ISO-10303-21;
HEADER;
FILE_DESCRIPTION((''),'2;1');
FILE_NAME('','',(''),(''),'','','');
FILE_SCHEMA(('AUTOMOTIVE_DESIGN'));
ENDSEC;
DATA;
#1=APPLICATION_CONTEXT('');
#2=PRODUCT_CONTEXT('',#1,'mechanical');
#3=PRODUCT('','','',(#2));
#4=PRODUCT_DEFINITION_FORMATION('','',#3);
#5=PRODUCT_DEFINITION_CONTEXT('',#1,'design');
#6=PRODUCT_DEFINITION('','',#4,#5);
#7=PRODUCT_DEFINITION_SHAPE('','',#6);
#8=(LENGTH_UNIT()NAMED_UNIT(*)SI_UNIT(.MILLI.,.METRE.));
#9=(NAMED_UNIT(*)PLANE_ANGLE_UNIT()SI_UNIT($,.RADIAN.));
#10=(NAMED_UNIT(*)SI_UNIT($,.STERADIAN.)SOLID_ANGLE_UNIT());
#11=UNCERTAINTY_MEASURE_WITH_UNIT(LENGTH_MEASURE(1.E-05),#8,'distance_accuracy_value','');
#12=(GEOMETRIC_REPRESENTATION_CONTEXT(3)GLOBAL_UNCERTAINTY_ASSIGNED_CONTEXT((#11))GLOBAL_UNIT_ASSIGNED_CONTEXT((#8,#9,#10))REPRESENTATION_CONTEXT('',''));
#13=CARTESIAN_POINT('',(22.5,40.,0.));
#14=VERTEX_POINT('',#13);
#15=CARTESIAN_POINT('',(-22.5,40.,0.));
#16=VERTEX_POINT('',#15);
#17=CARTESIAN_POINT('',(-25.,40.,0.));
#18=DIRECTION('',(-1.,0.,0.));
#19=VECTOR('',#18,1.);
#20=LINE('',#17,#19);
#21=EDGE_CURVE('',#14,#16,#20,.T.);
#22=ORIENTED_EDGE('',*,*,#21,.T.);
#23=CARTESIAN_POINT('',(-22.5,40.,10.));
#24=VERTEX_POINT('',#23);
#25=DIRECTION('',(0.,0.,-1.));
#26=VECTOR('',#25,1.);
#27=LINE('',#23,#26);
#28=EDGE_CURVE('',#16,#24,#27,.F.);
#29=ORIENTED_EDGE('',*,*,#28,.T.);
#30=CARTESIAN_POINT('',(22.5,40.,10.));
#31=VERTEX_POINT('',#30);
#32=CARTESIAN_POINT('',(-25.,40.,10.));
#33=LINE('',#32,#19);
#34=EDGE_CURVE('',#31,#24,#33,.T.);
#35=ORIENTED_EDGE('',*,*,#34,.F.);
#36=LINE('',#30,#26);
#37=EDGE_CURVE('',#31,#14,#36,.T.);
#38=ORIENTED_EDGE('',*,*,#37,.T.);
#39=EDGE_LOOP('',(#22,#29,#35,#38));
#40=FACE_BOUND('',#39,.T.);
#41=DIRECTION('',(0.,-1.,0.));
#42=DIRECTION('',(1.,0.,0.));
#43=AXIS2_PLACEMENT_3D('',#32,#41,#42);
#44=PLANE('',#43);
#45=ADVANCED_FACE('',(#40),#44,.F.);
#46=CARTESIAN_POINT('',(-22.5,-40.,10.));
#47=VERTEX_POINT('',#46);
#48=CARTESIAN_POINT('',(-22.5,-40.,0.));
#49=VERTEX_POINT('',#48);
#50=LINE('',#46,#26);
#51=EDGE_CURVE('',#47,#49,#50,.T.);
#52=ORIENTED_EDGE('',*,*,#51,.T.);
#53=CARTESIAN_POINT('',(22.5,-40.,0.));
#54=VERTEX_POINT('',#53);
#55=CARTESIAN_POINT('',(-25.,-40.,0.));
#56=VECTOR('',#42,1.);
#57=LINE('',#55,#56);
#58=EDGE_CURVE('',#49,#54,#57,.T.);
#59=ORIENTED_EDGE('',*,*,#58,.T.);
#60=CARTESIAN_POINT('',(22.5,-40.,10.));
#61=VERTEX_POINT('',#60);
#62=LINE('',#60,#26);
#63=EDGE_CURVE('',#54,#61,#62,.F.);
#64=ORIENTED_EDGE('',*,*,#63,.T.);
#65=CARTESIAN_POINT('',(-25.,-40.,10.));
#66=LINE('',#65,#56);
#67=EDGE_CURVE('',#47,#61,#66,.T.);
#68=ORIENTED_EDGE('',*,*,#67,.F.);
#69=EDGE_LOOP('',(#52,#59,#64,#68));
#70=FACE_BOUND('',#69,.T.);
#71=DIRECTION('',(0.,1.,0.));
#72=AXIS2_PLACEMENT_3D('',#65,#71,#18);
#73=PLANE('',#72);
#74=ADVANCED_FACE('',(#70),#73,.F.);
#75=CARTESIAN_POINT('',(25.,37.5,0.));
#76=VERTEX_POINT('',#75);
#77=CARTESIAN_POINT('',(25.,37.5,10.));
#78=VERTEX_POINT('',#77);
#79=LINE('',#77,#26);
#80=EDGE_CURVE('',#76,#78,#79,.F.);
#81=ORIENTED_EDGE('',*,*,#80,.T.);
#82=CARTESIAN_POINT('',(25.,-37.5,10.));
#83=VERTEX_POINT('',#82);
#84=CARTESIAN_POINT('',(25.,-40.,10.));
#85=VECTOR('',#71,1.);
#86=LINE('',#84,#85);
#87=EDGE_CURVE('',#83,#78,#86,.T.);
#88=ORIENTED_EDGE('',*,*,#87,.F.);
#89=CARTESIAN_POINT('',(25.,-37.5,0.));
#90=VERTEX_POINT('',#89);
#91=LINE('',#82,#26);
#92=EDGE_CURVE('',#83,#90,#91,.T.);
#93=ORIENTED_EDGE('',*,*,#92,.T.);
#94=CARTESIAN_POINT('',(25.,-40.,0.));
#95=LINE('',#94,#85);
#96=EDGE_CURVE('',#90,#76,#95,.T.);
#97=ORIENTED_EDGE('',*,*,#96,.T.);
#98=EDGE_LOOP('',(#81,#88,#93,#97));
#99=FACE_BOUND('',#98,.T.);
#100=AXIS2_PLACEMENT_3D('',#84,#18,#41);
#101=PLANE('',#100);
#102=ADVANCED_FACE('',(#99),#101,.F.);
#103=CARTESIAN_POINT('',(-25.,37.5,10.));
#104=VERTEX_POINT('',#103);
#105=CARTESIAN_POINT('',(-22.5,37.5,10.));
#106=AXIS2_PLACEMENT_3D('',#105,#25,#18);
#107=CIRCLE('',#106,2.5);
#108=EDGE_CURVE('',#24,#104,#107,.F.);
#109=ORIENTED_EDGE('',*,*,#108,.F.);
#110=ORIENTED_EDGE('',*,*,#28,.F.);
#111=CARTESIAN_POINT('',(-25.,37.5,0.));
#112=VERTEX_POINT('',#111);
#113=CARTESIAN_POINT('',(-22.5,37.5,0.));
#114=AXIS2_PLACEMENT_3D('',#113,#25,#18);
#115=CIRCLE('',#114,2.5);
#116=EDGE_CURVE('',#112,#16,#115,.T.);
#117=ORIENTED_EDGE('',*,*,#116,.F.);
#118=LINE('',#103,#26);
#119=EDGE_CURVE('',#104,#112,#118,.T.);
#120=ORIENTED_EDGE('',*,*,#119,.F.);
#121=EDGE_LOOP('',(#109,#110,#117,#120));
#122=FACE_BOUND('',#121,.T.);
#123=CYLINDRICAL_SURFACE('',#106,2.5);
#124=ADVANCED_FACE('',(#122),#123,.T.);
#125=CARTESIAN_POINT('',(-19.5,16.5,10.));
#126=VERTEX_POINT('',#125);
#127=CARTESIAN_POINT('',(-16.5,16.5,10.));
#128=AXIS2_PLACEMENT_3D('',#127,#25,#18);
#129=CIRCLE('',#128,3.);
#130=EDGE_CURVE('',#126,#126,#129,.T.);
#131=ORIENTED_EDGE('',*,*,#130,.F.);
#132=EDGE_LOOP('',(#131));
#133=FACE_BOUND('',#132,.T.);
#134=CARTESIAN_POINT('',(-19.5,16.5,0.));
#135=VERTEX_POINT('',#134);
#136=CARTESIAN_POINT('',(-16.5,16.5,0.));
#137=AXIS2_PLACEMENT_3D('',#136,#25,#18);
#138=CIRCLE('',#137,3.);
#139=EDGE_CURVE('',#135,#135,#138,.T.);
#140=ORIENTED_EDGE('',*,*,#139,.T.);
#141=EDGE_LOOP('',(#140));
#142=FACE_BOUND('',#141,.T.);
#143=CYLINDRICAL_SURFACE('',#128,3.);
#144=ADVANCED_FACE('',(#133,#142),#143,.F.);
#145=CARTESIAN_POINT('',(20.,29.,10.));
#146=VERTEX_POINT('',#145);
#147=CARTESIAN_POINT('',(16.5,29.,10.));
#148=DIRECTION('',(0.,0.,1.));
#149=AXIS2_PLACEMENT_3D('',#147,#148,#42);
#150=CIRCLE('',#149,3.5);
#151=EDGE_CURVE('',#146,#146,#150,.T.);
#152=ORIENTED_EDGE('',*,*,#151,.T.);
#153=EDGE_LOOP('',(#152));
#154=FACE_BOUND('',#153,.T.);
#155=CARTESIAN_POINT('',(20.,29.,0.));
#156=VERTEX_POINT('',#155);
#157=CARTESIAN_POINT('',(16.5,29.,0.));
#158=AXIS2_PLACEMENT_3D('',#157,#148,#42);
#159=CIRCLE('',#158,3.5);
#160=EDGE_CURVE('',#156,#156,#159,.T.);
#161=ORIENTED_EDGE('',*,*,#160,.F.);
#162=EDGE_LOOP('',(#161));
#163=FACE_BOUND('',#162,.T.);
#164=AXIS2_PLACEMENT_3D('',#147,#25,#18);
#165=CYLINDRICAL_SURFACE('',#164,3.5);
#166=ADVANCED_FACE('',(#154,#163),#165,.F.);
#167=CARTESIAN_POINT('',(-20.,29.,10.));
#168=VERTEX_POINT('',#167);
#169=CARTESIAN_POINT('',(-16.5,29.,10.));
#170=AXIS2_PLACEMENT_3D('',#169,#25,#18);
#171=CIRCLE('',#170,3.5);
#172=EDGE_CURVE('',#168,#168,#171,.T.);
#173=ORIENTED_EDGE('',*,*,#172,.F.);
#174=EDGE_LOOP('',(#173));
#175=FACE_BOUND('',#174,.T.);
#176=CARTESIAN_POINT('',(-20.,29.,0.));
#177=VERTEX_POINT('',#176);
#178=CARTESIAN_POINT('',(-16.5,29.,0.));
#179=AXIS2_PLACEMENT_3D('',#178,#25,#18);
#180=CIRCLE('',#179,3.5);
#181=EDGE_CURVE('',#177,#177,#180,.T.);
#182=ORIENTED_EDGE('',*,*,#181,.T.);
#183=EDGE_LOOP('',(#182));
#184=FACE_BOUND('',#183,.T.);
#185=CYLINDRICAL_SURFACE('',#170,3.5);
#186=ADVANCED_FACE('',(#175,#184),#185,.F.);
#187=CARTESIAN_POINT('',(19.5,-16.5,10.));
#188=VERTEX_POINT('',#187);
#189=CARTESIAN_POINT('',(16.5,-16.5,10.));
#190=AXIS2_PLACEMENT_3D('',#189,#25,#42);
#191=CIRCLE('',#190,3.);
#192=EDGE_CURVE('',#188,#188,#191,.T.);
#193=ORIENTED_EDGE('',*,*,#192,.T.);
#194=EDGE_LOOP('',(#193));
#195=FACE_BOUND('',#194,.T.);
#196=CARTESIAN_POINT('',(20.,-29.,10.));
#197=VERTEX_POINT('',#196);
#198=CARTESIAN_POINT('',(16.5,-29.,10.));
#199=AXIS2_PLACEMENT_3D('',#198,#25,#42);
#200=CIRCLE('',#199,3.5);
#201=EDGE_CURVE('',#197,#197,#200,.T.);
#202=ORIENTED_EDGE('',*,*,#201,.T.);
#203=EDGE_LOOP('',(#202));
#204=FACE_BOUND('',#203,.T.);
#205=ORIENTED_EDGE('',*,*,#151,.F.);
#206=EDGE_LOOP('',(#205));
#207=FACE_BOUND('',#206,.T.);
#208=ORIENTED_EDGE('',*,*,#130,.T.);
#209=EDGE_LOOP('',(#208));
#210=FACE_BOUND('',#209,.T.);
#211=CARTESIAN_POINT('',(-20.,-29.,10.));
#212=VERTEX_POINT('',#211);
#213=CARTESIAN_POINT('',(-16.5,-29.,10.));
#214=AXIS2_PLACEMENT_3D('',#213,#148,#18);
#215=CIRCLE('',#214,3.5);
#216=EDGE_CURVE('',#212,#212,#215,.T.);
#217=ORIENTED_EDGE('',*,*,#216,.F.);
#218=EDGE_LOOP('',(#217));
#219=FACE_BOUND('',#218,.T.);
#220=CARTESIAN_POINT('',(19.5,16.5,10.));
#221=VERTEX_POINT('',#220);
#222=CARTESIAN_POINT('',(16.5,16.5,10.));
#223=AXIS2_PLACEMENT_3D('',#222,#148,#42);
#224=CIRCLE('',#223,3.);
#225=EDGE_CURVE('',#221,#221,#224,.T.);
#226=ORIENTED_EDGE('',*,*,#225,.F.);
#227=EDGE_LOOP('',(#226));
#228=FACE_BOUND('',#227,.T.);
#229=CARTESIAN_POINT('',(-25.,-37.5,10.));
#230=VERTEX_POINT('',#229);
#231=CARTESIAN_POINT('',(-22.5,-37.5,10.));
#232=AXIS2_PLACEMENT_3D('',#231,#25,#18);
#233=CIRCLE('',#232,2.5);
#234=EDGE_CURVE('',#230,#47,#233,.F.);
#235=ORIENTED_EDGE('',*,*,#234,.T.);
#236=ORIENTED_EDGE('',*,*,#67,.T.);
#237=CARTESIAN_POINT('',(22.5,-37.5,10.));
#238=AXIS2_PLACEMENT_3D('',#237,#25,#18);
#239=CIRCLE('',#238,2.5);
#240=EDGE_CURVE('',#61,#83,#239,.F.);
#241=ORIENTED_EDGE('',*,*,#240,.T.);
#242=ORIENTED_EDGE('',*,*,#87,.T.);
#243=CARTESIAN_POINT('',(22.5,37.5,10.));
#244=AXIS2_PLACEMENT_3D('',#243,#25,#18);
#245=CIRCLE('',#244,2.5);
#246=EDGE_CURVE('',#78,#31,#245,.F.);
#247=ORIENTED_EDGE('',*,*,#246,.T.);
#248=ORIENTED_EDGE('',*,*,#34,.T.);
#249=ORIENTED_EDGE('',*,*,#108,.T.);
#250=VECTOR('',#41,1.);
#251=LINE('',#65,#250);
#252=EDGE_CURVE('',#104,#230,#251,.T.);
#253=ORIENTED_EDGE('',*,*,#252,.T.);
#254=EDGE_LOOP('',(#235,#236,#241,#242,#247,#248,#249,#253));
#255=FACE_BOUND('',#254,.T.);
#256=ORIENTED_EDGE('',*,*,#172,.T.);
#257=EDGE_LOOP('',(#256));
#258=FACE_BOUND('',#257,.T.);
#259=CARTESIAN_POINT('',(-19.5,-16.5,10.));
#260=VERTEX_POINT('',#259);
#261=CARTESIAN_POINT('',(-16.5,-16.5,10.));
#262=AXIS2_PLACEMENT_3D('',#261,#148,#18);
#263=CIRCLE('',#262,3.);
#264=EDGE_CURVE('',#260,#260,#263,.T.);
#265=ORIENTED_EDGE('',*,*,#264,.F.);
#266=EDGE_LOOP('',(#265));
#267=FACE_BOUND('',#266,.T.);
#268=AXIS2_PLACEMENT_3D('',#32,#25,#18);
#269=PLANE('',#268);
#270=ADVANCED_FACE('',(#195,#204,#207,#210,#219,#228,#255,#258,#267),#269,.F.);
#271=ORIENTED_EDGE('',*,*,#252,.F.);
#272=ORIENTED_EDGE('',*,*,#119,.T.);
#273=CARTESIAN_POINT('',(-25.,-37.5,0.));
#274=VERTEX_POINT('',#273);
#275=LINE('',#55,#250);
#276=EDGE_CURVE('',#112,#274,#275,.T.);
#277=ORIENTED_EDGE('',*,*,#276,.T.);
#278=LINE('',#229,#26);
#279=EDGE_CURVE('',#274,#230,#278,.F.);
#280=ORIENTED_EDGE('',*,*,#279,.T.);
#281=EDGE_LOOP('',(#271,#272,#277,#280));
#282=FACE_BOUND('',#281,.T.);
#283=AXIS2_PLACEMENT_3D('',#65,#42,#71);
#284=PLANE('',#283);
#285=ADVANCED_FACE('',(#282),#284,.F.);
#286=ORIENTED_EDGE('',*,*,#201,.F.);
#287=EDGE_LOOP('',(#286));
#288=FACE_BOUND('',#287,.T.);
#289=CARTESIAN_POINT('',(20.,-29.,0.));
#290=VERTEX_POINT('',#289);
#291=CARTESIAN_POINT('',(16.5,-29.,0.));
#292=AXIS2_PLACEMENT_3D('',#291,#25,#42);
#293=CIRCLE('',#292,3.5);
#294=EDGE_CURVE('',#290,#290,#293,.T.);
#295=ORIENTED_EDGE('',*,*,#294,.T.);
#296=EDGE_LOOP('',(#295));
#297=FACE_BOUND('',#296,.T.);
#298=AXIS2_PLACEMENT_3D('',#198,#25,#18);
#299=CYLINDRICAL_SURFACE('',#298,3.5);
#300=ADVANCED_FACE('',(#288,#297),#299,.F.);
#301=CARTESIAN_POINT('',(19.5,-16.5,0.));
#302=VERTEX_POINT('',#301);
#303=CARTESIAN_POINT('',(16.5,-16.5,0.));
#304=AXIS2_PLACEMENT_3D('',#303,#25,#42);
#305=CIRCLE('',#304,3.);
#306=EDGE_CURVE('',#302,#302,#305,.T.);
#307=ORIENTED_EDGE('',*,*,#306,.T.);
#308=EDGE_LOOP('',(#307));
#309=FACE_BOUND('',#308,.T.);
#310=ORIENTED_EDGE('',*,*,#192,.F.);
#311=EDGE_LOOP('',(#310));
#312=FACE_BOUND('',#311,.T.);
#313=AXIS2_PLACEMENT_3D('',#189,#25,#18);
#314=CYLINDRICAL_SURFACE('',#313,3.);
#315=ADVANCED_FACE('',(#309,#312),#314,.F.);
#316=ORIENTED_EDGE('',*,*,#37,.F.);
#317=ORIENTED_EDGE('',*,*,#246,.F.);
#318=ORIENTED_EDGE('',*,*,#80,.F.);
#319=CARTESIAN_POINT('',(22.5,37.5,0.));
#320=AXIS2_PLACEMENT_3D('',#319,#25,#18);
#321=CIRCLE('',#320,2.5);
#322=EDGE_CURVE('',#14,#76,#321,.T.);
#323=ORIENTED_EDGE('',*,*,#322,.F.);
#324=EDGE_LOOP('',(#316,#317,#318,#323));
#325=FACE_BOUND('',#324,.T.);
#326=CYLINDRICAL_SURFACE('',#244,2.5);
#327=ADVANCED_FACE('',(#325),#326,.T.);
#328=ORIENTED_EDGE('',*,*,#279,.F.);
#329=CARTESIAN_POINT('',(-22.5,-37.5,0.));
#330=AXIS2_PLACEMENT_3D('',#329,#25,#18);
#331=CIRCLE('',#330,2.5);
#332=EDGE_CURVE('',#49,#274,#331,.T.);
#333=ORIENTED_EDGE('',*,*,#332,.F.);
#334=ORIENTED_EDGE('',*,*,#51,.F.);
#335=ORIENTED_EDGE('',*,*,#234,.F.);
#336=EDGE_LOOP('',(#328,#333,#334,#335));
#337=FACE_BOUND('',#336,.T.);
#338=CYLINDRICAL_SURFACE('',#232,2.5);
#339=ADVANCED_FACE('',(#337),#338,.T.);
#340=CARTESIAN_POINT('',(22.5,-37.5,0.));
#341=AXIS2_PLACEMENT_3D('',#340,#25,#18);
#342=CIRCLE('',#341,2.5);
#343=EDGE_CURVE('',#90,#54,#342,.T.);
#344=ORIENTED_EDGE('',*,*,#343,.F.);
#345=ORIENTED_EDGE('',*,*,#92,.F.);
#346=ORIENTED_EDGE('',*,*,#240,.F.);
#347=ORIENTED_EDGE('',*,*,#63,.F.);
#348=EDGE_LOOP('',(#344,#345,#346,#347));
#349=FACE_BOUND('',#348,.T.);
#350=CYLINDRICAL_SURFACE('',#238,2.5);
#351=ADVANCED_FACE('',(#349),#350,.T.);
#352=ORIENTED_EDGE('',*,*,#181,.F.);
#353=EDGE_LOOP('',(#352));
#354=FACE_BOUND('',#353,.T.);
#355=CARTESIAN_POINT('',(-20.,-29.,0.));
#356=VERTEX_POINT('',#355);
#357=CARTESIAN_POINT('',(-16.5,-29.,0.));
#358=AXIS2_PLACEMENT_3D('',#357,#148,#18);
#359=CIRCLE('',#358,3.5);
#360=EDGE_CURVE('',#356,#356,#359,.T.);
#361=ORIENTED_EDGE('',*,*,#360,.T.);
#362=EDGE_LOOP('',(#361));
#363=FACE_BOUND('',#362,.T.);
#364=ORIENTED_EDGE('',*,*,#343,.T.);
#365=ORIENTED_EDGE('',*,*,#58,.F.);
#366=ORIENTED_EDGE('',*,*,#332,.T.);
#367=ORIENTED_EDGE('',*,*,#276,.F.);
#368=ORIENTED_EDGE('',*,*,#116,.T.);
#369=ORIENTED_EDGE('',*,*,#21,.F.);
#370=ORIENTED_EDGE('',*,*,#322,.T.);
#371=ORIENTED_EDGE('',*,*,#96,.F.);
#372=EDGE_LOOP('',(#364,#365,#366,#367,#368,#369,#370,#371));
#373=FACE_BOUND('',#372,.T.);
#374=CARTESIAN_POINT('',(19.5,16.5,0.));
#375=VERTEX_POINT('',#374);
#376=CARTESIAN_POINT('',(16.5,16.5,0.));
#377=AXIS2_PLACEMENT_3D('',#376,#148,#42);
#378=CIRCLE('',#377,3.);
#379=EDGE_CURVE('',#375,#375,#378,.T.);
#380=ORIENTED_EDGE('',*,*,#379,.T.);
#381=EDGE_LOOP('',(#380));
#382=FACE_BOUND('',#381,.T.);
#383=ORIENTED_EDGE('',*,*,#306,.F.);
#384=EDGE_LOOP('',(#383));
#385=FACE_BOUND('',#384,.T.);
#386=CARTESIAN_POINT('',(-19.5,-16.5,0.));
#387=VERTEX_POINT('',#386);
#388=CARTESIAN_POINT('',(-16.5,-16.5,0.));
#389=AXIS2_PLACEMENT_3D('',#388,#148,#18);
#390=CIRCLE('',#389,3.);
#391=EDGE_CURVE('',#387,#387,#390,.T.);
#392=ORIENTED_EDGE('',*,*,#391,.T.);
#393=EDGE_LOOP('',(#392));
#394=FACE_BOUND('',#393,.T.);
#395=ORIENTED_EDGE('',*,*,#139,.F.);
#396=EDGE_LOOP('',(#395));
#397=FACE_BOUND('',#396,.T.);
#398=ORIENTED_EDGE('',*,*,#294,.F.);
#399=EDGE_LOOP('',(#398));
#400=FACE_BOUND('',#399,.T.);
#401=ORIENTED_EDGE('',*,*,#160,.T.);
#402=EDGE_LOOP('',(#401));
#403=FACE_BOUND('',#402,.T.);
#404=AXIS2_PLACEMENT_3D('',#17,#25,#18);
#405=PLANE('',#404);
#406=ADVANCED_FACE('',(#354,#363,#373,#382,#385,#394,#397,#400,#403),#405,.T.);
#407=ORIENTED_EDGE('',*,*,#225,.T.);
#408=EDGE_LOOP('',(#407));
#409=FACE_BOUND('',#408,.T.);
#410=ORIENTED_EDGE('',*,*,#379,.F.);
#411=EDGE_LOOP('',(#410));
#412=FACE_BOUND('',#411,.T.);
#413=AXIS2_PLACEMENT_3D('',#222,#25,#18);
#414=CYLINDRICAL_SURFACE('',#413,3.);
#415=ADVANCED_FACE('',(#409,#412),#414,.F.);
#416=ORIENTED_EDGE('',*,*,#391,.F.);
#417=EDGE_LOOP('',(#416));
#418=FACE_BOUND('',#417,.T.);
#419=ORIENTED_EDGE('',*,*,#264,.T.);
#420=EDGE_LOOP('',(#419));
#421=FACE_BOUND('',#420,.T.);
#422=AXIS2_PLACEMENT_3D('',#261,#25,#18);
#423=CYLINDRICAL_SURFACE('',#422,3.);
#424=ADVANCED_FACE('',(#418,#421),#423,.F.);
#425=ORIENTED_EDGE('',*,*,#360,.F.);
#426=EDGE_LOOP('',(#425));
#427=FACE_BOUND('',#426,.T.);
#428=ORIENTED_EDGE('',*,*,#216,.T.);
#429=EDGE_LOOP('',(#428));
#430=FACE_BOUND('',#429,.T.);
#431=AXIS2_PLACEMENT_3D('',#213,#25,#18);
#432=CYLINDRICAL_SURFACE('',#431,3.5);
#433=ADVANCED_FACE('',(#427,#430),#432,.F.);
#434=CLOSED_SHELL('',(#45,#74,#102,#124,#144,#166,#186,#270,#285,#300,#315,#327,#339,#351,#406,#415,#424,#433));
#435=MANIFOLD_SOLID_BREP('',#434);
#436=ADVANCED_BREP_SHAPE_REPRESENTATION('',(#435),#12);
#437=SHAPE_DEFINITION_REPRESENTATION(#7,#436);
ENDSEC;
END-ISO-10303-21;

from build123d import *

# Parameters (mm, degrees)
SKETCH_2_W                 = 50
SKETCH_2_H                 = 80
EXTRUDE_1_DEPTH            = 10
SKETCH_3_R                 = 3.5
SKETCH_3_R_2               = 3
CUT_EXTRUDE_1_DEPTH        = 49.218253805
MIRROR_2_COPY_1_SKETCH_R   = 3.5
MIRROR_2_COPY_1_SKETCH_R_2 = 3
MIRROR_2_COPY_1_DEPTH      = 49.218253805
FILLET_1_R                 = 2.5


with BuildPart() as part:
    # 草图2 → 凸台-拉伸1 (new body)
    with BuildSketch(Plane.XY):
        Rectangle(SKETCH_2_W, SKETCH_2_H)
    extrude(amount=EXTRUDE_1_DEPTH)

    # 草图3 → 切除-拉伸1 (cut, through all)
    with BuildSketch(Plane(origin=(0, 0, 0), x_dir=(-1, 0, 0), z_dir=(0, 0, -1))):
        with Locations((16.5, 29)):
            Circle(SKETCH_3_R)
        with Locations((16.5, 16.5)):
            Circle(SKETCH_3_R_2)
    cut_extrude_1 = extrude(amount=-CUT_EXTRUDE_1_DEPTH, mode=Mode.SUBTRACT)

    # 镜向1: 切除-拉伸1 across plane
    add(cut_extrude_1.mirror(Plane(origin=(0, 0, 0), x_dir=(0, 0, 1), z_dir=(1, 0, 0))), mode=Mode.SUBTRACT)

    # 镜向2: 切除-拉伸1 across plane
    add(cut_extrude_1.mirror(Plane.ZX), mode=Mode.SUBTRACT)

    # 镜向2 copy 1 sketch → 镜向2 copy 1 (cut, through all)
    with BuildSketch(Plane(origin=(0, 0, 0), x_dir=(1, 0, 0), z_dir=(0, 0, -1))):
        with Locations((16.5, 29)):
            Circle(MIRROR_2_COPY_1_SKETCH_R)
        with Locations((16.5, 16.5)):
            Circle(MIRROR_2_COPY_1_SKETCH_R_2)
    extrude(amount=-MIRROR_2_COPY_1_DEPTH, mode=Mode.SUBTRACT)

    # 圆角1
    fillet_1_edges = [part.edges().sort_by_distance(p)[0] for p in [
        (-25, 40, 5),
        (25, 40, 5),
        (25, -40, 5),
        (-25, -40, 5),
    ]]
    fillet(fillet_1_edges, radius=FILLET_1_R)


solid = part.part
